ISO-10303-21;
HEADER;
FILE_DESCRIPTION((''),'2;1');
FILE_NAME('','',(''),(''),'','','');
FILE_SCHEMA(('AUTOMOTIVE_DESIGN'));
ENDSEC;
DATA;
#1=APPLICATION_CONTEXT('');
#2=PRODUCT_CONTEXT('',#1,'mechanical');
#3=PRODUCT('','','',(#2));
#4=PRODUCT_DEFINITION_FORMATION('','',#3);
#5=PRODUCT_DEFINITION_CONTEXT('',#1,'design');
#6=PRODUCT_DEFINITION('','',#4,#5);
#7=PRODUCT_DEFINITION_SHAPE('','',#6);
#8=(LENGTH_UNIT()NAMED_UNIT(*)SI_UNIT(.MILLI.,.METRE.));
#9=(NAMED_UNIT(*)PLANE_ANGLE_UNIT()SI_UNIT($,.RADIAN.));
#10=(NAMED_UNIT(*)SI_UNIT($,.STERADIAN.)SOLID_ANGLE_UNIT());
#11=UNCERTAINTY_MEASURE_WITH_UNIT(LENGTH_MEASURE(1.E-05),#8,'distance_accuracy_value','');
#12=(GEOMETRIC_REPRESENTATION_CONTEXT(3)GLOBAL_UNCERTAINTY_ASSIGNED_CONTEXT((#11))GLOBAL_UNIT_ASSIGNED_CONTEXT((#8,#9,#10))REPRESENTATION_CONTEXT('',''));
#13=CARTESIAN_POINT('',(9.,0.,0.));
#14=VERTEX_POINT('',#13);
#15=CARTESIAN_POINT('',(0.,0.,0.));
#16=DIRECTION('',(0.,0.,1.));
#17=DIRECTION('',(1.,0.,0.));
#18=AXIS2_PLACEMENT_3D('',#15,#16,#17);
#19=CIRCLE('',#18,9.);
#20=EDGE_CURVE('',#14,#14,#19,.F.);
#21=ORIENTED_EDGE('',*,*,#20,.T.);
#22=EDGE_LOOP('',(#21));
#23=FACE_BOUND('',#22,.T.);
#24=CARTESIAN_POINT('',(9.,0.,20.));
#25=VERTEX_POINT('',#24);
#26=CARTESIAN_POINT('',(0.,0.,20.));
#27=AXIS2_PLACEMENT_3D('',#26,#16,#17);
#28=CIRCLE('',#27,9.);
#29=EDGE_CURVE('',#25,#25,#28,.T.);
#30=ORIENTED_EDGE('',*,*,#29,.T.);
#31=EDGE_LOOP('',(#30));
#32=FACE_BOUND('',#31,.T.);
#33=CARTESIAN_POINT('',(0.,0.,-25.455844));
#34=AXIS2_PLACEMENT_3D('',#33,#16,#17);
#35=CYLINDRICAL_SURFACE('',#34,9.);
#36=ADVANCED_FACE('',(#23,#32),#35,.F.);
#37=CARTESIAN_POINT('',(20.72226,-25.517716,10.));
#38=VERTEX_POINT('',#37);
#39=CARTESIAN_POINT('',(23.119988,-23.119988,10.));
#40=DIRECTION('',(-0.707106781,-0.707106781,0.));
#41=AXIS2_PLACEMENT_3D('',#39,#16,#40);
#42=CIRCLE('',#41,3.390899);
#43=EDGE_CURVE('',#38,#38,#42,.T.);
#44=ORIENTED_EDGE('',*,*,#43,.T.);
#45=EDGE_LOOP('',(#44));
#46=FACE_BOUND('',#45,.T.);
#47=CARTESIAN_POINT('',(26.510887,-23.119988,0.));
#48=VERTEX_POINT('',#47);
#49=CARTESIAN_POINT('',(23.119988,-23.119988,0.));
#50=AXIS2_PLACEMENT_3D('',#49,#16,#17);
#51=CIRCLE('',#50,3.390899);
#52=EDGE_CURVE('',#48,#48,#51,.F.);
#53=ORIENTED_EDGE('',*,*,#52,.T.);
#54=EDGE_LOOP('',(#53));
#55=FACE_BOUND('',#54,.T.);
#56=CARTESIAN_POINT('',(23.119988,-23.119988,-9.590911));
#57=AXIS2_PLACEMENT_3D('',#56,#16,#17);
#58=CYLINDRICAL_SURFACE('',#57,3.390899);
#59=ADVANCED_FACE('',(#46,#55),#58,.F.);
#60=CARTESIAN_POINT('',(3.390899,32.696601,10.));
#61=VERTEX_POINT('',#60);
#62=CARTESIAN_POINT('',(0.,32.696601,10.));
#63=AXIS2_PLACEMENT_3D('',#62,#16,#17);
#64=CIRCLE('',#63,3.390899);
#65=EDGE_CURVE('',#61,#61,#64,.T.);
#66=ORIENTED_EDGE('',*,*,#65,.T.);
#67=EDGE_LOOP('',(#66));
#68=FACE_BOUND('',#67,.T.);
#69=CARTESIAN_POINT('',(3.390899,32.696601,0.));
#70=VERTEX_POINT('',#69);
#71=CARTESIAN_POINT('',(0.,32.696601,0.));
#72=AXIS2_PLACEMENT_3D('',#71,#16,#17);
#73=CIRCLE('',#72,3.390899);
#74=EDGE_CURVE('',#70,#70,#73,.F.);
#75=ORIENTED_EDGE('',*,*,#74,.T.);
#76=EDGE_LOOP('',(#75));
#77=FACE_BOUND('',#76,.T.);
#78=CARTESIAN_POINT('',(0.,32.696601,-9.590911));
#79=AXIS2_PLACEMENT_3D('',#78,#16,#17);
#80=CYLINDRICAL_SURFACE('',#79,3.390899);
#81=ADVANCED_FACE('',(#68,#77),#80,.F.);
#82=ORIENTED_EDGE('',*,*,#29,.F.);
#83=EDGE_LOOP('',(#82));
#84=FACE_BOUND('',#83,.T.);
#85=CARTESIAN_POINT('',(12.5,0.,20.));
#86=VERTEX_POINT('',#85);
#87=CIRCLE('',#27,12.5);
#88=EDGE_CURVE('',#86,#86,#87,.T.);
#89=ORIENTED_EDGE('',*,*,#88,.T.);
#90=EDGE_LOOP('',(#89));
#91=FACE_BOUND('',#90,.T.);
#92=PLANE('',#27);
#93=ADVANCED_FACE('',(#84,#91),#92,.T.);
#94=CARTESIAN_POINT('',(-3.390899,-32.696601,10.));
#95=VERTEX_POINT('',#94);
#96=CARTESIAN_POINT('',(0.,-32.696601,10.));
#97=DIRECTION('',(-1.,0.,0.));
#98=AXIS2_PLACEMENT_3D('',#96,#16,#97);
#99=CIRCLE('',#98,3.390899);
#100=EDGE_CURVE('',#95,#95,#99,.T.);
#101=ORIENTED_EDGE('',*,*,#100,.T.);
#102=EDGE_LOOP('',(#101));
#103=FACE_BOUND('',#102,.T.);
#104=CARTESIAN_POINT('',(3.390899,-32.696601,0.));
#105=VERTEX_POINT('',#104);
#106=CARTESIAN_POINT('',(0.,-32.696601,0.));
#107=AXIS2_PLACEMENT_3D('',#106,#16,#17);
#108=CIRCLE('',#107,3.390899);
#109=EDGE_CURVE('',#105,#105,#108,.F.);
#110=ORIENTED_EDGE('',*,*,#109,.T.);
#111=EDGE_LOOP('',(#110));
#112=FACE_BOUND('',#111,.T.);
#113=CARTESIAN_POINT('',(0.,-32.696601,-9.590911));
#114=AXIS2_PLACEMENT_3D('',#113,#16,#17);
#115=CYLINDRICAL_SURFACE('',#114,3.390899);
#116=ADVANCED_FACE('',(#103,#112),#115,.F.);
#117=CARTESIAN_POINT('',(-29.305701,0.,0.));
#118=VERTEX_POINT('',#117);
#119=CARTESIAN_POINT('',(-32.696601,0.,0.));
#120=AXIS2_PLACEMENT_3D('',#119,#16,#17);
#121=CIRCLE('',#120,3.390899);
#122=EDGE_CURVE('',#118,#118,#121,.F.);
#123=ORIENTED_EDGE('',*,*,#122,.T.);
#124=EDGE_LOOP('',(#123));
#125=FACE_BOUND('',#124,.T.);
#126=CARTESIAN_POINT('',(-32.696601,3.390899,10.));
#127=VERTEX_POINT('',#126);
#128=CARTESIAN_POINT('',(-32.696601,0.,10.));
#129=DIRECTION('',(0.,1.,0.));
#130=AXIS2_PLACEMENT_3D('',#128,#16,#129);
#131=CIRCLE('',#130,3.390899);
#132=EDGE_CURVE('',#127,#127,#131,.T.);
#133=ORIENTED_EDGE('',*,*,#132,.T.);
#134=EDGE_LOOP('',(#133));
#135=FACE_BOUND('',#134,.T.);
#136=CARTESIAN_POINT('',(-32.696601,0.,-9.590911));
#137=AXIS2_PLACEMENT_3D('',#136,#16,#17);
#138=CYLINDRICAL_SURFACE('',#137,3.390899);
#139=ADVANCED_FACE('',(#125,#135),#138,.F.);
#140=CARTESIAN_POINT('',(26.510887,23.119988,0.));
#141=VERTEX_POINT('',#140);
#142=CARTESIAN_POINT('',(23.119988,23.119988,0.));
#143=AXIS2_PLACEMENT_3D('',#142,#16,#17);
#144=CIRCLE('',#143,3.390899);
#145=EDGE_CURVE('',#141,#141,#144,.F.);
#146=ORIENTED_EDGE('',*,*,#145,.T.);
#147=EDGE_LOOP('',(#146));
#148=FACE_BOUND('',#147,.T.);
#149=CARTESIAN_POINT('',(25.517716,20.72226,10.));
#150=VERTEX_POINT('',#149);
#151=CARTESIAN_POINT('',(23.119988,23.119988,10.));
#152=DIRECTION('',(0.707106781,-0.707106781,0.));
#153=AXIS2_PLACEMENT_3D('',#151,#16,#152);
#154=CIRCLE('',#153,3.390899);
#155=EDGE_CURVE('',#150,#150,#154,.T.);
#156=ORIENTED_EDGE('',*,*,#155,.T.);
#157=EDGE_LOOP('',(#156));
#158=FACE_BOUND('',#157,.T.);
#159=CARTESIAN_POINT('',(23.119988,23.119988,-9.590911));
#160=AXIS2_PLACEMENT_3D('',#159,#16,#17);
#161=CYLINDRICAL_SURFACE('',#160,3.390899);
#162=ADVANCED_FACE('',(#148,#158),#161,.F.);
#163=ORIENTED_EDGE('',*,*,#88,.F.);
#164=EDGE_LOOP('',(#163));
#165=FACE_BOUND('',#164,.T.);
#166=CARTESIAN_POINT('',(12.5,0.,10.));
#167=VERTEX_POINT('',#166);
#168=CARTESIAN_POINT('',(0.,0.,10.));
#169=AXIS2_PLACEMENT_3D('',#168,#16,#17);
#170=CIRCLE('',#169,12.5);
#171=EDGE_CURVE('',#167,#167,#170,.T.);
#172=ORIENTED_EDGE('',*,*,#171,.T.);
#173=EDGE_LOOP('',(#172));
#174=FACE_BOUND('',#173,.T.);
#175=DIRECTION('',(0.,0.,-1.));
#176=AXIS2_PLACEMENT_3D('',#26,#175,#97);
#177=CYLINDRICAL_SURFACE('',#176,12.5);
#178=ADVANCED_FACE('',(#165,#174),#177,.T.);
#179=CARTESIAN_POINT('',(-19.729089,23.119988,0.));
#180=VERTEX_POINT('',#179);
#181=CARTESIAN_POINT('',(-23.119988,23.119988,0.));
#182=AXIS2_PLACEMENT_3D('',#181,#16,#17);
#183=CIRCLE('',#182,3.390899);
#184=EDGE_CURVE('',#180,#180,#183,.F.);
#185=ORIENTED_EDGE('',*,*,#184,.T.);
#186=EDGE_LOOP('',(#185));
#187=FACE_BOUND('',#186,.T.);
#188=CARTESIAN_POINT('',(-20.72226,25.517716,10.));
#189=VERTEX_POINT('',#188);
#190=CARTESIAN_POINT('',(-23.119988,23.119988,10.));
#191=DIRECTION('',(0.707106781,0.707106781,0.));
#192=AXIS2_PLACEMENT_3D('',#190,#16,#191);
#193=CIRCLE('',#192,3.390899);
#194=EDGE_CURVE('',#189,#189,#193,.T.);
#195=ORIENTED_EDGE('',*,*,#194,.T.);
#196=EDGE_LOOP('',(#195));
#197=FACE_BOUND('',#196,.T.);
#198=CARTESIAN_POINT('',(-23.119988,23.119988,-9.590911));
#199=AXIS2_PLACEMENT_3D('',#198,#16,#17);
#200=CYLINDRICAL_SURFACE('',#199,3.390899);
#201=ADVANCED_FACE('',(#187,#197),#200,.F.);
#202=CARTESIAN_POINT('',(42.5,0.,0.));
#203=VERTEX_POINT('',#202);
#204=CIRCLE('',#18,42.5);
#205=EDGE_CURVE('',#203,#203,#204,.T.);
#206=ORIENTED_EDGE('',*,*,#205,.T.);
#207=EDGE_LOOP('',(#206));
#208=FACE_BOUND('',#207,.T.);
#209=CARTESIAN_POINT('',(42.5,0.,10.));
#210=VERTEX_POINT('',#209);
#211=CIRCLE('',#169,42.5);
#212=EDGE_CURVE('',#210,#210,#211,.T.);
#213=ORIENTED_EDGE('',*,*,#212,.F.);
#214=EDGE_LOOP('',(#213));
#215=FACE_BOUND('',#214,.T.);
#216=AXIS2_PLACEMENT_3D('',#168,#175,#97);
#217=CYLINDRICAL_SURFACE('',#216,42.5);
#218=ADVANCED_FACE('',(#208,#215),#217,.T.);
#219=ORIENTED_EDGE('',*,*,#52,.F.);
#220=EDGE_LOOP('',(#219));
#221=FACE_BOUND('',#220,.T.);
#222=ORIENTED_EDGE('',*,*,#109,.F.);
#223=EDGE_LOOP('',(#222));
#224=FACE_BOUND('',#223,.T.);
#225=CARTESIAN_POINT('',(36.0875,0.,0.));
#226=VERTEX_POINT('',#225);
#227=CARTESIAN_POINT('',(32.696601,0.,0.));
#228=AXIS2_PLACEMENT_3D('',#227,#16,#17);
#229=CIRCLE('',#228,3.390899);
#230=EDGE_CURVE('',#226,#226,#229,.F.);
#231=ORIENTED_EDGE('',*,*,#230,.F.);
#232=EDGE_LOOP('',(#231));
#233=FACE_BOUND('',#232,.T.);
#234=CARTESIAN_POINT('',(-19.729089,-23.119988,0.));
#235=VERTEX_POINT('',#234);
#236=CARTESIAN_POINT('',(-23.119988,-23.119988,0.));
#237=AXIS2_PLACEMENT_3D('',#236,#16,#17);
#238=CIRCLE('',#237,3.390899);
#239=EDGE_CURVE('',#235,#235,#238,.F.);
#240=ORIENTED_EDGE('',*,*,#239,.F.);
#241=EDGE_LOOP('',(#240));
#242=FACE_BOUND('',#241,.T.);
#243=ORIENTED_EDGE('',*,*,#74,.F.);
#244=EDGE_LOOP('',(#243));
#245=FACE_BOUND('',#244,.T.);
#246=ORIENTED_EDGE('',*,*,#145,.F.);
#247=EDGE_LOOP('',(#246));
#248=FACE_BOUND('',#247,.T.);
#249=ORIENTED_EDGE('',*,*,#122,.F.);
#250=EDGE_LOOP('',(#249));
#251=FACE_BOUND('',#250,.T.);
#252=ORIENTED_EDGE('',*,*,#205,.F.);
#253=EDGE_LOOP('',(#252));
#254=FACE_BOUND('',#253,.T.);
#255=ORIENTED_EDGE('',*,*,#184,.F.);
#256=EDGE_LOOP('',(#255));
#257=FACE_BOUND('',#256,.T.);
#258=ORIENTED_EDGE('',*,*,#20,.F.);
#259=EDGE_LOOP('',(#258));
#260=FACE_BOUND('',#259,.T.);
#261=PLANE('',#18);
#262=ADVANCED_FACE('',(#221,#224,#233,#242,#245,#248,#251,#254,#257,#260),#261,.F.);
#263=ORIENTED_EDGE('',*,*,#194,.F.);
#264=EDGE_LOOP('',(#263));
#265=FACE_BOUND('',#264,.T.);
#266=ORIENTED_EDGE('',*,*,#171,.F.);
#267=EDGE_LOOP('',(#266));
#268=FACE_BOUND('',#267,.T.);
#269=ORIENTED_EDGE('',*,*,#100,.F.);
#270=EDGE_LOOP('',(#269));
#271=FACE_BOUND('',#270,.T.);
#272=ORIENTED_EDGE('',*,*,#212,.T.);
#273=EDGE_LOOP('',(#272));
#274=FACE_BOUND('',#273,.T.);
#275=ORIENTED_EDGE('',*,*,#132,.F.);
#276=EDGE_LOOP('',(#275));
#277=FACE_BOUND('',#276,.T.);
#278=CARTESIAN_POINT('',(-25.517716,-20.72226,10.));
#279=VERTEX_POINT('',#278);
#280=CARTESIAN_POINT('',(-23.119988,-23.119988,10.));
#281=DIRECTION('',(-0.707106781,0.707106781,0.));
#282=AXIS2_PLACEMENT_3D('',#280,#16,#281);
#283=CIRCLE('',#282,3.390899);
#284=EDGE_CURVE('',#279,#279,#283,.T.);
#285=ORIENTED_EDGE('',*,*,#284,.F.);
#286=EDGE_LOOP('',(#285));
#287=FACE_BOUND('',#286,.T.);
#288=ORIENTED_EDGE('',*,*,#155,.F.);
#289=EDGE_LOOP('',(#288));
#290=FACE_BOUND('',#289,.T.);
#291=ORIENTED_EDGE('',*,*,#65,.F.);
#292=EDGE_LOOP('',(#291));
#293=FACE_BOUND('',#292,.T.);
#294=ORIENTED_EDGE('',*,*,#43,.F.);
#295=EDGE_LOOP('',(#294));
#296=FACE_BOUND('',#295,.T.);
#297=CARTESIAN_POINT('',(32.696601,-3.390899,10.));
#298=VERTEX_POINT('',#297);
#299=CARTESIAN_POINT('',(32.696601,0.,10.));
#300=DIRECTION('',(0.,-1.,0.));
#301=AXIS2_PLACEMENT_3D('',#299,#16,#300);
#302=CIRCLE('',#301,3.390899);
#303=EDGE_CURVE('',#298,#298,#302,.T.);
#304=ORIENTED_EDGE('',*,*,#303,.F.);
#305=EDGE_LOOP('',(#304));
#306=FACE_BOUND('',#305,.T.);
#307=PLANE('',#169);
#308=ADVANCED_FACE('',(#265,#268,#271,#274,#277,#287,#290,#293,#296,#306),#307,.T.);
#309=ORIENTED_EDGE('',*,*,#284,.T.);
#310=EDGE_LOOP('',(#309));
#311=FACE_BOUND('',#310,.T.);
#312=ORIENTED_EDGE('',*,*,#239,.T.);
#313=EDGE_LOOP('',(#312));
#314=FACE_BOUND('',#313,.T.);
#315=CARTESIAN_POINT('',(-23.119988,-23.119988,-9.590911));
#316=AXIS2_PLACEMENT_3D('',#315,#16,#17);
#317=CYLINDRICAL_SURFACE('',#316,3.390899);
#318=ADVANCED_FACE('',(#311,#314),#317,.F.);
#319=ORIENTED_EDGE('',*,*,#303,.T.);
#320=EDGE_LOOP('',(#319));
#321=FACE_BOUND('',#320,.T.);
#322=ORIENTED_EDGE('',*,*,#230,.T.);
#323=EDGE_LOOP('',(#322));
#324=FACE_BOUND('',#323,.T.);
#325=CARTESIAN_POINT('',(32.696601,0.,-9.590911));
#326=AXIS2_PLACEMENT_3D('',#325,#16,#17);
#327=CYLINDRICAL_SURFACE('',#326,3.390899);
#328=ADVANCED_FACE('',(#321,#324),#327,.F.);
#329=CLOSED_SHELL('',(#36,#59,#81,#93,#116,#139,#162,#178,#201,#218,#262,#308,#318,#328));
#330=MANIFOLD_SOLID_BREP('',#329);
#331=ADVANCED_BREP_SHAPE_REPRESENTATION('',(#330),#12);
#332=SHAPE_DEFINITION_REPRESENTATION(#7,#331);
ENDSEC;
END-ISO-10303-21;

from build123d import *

# Parameters (mm, degrees)
SKETCH1_R           = 42.5
BOSS_EXTRUDE1_DEPTH = 10
SKETCH2_R           = 12.5
BOSS_EXTRUDE2_DEPTH = 10
SKETCH3_R           = 9
CUT_EXTRUDE1_DEPTH  = 20
SKETCH4_R           = 3.390899264
CUT_EXTRUDE2_DEPTH  = 10
CIRPATTERN1_COUNT   = 8


with BuildPart() as part:
    # Sketch1 → Boss-Extrude1 (new body)
    with BuildSketch(Plane.XY):
        Circle(SKETCH1_R)
    extrude(amount=BOSS_EXTRUDE1_DEPTH)

    # Sketch2 → Boss-Extrude2 (add)
    with BuildSketch(Plane.XY.offset(10)):
        Circle(SKETCH2_R)
    extrude(amount=BOSS_EXTRUDE2_DEPTH)

    # Sketch3 → Cut-Extrude1 (cut)
    with BuildSketch(Plane.XY.offset(20)):
        Circle(SKETCH3_R)
    extrude(amount=-CUT_EXTRUDE1_DEPTH, mode=Mode.SUBTRACT)

    # Sketch4 → Cut-Extrude2 (cut)
    with BuildSketch(Plane.XY.offset(10)):
        with Locations((0, 32.696600748)):
            Circle(SKETCH4_R)
    cut_extrude2 = extrude(amount=-CUT_EXTRUDE2_DEPTH, mode=Mode.SUBTRACT)

    # CirPattern1: Cut-Extrude2 ×8 about axis
    cirpattern1_axis = Axis((0, 0, 0), (0, 0, 1))
    for i in range(1, CIRPATTERN1_COUNT):
        add(cut_extrude2.rotate(cirpattern1_axis, i * 360 / CIRPATTERN1_COUNT), mode=Mode.SUBTRACT)


solid = part.part
